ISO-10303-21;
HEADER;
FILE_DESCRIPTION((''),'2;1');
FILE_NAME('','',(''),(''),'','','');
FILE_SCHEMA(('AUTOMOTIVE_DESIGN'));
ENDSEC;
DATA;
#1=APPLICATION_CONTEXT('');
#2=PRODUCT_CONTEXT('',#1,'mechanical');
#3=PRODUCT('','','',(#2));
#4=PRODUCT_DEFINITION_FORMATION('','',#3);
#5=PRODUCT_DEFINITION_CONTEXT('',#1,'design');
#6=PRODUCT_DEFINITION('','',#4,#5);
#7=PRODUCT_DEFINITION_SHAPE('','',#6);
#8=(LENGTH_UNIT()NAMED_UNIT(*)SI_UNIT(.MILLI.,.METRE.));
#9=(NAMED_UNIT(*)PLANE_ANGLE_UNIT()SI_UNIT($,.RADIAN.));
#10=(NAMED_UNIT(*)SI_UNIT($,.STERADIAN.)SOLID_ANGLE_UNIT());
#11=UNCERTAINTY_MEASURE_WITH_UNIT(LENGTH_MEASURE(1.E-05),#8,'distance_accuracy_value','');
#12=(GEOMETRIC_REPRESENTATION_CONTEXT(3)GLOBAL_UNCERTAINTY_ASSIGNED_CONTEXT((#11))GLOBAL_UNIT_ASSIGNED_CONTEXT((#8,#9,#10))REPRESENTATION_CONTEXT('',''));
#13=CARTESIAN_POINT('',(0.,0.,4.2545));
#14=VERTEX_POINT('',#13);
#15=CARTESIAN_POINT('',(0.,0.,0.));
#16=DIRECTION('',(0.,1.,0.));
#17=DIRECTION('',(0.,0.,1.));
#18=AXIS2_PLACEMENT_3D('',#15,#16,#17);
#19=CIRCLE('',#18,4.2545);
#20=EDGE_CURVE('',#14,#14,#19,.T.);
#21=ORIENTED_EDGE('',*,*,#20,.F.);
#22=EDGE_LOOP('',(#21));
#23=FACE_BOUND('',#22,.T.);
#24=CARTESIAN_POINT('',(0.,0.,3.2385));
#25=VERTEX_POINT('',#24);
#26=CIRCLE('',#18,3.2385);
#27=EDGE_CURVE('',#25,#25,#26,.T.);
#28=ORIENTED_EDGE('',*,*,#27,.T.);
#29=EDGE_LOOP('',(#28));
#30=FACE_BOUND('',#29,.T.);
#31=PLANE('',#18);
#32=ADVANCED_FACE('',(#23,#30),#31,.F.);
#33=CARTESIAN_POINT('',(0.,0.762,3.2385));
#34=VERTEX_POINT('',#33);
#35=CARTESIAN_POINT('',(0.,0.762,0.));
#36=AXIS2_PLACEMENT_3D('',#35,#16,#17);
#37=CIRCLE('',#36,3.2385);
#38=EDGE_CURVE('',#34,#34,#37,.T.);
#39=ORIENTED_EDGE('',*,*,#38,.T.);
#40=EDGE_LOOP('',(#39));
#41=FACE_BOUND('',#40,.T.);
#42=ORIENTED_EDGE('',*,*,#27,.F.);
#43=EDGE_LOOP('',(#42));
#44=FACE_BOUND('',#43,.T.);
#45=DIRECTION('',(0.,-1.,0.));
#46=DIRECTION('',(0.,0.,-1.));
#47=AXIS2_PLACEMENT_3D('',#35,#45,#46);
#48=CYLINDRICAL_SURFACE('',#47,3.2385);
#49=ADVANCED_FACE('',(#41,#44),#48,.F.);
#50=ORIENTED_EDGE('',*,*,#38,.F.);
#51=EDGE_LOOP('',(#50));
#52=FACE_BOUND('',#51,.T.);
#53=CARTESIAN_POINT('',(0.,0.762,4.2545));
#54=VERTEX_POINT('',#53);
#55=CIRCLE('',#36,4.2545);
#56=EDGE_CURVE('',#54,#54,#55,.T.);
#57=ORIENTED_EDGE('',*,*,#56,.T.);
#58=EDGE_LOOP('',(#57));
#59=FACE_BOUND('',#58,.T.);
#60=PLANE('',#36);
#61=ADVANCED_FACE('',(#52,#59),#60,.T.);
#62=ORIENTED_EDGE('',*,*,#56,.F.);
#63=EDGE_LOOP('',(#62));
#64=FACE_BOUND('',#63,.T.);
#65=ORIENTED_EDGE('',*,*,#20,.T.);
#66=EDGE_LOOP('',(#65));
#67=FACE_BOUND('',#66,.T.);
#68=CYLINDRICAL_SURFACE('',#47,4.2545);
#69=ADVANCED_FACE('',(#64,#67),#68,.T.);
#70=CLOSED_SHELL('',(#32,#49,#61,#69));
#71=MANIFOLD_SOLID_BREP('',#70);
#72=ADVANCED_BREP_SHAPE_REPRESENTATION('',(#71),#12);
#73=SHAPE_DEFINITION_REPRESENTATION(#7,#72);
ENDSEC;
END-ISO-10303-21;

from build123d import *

# Parameters (mm, degrees)
SKETCH2_R           = 4.2545
SKETCH2_R_2         = 3.2385
BOSS_EXTRUDE1_DEPTH = 0.762


with BuildPart() as part:
    # Sketch2 → Boss-Extrude1 (new body)
    with BuildSketch(Plane(origin=(0, 0, 0), x_dir=(1, 0, 0), z_dir=(0, 1, 0))):
        Circle(SKETCH2_R)
        Circle(SKETCH2_R_2, mode=Mode.SUBTRACT)
    extrude(amount=BOSS_EXTRUDE1_DEPTH)


solid = part.part
